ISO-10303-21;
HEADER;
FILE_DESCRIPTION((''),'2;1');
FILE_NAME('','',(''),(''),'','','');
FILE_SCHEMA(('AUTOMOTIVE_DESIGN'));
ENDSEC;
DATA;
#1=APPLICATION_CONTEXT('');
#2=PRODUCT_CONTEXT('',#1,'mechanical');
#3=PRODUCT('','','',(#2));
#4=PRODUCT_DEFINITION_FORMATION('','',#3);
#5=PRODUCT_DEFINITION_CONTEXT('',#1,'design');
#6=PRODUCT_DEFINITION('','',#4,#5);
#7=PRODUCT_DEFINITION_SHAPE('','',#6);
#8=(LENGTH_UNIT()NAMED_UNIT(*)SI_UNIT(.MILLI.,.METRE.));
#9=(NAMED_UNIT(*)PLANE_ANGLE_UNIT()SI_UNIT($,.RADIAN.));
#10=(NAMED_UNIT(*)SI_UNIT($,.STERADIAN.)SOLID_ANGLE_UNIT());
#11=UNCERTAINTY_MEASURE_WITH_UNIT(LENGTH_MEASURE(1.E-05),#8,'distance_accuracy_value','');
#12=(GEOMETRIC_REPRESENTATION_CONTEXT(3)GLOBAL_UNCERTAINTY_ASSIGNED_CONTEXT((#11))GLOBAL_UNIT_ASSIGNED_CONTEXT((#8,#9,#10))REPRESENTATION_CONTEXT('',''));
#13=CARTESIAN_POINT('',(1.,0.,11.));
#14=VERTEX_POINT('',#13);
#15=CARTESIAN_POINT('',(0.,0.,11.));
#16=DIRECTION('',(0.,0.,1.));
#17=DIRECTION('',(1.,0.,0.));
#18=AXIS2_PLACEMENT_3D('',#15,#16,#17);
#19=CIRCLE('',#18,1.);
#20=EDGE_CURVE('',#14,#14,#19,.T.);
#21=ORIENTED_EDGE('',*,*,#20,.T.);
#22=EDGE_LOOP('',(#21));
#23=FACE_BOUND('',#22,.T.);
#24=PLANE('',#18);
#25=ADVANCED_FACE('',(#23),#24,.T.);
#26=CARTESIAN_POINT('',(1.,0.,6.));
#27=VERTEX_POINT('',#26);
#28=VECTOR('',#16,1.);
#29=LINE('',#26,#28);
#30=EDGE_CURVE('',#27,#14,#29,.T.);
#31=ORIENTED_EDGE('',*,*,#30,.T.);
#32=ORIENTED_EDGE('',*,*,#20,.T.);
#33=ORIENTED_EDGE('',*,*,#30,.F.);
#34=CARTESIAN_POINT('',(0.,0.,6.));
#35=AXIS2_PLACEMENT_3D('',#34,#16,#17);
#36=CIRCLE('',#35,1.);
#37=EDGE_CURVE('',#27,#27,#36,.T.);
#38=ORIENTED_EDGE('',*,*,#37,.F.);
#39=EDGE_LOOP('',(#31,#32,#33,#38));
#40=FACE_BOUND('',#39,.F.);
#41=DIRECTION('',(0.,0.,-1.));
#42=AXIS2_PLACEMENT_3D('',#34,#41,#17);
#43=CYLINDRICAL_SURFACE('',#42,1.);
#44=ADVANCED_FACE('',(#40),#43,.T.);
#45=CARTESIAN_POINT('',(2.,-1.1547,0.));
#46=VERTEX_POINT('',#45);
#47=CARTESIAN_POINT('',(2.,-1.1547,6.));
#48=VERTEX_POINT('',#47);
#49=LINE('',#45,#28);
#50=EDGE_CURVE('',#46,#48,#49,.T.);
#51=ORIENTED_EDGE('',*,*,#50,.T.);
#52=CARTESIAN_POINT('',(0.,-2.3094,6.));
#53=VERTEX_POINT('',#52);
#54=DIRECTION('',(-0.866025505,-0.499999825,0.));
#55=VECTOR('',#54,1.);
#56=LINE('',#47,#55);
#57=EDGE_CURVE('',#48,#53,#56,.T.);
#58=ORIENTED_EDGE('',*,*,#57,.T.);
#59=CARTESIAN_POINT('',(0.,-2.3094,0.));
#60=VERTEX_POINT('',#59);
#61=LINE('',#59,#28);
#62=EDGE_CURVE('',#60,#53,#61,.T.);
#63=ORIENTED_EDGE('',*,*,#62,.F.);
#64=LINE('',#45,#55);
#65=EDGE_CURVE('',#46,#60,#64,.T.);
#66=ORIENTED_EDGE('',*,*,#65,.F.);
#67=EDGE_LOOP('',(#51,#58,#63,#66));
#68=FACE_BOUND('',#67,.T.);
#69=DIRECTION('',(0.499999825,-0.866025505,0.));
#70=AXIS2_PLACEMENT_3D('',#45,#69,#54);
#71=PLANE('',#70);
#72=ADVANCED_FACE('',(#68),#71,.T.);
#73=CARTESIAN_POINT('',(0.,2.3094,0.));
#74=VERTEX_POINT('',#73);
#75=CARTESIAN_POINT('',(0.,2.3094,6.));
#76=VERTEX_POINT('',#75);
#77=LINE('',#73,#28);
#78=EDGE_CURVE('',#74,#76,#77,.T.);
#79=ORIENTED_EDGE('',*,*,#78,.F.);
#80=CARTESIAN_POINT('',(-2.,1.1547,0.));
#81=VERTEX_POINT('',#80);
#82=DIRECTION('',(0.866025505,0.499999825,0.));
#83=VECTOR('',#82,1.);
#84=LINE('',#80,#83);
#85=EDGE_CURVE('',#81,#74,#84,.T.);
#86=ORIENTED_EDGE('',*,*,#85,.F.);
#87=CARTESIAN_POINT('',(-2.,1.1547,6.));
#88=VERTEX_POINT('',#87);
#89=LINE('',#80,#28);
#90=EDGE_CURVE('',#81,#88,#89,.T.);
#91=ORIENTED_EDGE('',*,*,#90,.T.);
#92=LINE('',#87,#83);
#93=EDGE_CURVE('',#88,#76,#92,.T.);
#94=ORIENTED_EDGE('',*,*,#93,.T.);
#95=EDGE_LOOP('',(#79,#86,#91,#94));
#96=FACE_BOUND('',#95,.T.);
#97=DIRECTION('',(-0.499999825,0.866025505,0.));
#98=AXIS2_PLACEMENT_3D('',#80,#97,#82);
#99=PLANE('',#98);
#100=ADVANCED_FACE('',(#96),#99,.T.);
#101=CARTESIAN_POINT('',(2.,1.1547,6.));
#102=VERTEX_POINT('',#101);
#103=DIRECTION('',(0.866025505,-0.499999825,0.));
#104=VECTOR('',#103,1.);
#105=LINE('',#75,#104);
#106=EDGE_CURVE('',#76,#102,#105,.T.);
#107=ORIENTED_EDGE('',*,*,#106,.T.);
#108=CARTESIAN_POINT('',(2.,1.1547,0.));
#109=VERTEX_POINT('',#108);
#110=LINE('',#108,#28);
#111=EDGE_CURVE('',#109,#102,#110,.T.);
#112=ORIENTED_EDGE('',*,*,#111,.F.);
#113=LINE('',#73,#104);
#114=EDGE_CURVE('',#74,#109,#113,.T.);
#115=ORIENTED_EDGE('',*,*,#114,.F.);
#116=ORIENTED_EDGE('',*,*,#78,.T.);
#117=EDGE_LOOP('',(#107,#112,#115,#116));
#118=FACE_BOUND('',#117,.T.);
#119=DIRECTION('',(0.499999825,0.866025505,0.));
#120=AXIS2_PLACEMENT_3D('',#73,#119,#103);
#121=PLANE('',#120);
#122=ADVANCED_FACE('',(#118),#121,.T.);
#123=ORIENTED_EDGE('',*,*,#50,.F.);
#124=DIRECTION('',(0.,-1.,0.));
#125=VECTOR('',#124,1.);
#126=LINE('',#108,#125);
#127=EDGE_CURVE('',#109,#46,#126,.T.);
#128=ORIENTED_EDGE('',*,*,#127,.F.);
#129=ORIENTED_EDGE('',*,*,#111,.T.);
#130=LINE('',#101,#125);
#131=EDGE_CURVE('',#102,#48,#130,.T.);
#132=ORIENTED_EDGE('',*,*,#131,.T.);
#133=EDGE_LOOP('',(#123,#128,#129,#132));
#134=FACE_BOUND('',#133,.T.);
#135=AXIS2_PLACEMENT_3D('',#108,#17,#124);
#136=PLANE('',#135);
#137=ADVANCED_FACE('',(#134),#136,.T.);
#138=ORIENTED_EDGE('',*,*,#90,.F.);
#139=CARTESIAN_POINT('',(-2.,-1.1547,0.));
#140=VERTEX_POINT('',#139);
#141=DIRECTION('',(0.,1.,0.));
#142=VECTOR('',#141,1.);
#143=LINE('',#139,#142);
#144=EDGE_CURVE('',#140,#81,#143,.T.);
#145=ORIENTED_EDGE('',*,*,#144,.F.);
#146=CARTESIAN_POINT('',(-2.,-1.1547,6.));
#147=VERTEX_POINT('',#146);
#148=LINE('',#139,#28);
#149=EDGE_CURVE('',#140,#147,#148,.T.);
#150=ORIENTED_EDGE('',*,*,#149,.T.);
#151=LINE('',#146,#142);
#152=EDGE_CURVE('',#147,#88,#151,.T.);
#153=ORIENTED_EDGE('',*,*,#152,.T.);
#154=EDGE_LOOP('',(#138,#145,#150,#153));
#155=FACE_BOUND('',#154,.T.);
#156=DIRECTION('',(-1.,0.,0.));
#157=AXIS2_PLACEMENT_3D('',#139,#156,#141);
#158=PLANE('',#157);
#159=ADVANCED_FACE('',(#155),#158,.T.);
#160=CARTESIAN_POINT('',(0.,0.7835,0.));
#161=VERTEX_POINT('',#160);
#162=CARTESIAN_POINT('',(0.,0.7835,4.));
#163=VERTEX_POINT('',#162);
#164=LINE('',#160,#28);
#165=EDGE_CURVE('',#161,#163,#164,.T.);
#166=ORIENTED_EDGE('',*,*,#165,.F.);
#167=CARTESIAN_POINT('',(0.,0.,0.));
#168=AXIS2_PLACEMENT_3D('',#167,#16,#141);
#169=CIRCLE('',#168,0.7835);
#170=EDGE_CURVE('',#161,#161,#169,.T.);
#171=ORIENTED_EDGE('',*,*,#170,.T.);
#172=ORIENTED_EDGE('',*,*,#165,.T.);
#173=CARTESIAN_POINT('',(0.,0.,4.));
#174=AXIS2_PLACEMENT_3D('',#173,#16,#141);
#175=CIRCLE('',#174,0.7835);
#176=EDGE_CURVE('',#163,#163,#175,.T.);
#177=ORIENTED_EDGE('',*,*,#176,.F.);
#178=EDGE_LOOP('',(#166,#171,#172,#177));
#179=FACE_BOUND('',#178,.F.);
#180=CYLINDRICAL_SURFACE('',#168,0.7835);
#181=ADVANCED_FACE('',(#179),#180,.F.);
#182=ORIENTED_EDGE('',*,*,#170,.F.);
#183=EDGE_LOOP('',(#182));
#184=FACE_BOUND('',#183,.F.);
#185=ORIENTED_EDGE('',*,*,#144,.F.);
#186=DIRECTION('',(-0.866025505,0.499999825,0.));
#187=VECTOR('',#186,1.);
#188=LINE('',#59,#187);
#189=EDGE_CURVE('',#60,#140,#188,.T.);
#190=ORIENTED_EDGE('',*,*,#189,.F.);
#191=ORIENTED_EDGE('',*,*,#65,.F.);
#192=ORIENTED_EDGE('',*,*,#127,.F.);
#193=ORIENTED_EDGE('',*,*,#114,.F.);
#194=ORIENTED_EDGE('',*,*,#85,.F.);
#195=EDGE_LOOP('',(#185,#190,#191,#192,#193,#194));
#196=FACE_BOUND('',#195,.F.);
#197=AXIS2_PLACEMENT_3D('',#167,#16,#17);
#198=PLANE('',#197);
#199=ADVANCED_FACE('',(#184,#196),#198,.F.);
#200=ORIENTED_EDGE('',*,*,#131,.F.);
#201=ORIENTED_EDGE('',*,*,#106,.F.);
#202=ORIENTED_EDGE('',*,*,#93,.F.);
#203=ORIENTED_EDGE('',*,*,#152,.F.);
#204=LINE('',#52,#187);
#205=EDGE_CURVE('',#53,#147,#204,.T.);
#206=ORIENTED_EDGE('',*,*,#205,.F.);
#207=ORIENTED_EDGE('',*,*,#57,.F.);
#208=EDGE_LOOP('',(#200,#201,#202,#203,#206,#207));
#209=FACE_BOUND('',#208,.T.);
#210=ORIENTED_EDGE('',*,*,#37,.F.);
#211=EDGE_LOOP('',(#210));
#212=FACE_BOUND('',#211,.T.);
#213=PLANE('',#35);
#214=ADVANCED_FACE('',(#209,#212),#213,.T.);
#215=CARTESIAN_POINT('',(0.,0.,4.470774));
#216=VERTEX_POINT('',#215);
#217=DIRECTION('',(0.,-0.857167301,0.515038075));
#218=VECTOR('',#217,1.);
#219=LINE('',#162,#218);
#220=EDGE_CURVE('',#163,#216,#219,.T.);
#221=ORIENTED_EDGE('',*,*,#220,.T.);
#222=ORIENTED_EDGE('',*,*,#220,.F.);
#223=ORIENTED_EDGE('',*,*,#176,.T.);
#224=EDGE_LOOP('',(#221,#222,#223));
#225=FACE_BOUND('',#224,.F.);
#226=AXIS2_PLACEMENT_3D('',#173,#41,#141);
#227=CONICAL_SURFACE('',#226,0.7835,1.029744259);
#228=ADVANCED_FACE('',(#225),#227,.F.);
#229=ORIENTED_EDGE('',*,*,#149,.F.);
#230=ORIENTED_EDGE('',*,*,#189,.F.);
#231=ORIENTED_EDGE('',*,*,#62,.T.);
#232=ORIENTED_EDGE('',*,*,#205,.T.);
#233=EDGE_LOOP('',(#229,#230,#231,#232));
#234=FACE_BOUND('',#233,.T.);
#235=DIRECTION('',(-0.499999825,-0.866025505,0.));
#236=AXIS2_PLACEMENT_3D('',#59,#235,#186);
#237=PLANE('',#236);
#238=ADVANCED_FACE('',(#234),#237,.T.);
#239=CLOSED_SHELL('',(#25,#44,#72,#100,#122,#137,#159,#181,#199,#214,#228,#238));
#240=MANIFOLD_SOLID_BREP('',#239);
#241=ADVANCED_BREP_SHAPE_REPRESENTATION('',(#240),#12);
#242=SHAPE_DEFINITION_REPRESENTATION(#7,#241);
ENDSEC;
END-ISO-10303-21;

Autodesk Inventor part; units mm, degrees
ref_plane "YZ Plane" through (0, 0, 0) normal (1, 0, 0) x (0, 1, 0)
ref_plane "XZ Plane" through (0, 0, 0) normal (0, 1, 0) x (-1, 0, 0)
ref_plane "XY Plane" through (0, 0, 0) normal (0, 0, 1) x (1, 0, 0)
sketch "スケッチ1" plane through (0, 0, 0) normal (0, 0, 1) x (1, 0, 0)
  line L0 (0, 2.3094) -> (2, 1.1547)
  line L1 (2, 1.1547) -> (2, -1.1547)
  line L2 (2, -1.1547) -> (0, -2.3094)
  line L3 (0, -2.3094) -> (-2, -1.1547)
  line L4 (-2, -1.1547) -> (-2, 1.1547)
  line L5 (-2, 1.1547) -> (0, 2.3094)
  point P0 (0, 0)
  point P1 (0, 0)
  dimension "d0" = 4
extrude "押し出し1" add sketch "スケッチ1" along normal blind 6
sketch "スケッチ2" plane through (0, 0, 6) normal (0, 0, 1) x (1, 0, 0)
  circle A0 centre (0, 0) radius 1
  dimension "d3" = 2
extrude "押し出し2" add sketch "スケッチ2" along normal blind 5
thread "ねじ1" size "M2x0.4" class "6g" standard "ANSI Metric M Profile" full length
sketch "スケッチ3" plane through (0, 0, 0) normal (0, 0, -1) x (-1, 0, 0)
  point P0 (0, 0)
hole "穴1" at (0, 0, 0) direction (0, 0, 1) diameter 1.567 depth 4 tip angle 118 thread size "M2x0.4" class "6H" standard "ISO Metric profile"
properties part number "ジュラコンスペーサー（六角）_BS-2006E" material "アセタール樹脂、白"
